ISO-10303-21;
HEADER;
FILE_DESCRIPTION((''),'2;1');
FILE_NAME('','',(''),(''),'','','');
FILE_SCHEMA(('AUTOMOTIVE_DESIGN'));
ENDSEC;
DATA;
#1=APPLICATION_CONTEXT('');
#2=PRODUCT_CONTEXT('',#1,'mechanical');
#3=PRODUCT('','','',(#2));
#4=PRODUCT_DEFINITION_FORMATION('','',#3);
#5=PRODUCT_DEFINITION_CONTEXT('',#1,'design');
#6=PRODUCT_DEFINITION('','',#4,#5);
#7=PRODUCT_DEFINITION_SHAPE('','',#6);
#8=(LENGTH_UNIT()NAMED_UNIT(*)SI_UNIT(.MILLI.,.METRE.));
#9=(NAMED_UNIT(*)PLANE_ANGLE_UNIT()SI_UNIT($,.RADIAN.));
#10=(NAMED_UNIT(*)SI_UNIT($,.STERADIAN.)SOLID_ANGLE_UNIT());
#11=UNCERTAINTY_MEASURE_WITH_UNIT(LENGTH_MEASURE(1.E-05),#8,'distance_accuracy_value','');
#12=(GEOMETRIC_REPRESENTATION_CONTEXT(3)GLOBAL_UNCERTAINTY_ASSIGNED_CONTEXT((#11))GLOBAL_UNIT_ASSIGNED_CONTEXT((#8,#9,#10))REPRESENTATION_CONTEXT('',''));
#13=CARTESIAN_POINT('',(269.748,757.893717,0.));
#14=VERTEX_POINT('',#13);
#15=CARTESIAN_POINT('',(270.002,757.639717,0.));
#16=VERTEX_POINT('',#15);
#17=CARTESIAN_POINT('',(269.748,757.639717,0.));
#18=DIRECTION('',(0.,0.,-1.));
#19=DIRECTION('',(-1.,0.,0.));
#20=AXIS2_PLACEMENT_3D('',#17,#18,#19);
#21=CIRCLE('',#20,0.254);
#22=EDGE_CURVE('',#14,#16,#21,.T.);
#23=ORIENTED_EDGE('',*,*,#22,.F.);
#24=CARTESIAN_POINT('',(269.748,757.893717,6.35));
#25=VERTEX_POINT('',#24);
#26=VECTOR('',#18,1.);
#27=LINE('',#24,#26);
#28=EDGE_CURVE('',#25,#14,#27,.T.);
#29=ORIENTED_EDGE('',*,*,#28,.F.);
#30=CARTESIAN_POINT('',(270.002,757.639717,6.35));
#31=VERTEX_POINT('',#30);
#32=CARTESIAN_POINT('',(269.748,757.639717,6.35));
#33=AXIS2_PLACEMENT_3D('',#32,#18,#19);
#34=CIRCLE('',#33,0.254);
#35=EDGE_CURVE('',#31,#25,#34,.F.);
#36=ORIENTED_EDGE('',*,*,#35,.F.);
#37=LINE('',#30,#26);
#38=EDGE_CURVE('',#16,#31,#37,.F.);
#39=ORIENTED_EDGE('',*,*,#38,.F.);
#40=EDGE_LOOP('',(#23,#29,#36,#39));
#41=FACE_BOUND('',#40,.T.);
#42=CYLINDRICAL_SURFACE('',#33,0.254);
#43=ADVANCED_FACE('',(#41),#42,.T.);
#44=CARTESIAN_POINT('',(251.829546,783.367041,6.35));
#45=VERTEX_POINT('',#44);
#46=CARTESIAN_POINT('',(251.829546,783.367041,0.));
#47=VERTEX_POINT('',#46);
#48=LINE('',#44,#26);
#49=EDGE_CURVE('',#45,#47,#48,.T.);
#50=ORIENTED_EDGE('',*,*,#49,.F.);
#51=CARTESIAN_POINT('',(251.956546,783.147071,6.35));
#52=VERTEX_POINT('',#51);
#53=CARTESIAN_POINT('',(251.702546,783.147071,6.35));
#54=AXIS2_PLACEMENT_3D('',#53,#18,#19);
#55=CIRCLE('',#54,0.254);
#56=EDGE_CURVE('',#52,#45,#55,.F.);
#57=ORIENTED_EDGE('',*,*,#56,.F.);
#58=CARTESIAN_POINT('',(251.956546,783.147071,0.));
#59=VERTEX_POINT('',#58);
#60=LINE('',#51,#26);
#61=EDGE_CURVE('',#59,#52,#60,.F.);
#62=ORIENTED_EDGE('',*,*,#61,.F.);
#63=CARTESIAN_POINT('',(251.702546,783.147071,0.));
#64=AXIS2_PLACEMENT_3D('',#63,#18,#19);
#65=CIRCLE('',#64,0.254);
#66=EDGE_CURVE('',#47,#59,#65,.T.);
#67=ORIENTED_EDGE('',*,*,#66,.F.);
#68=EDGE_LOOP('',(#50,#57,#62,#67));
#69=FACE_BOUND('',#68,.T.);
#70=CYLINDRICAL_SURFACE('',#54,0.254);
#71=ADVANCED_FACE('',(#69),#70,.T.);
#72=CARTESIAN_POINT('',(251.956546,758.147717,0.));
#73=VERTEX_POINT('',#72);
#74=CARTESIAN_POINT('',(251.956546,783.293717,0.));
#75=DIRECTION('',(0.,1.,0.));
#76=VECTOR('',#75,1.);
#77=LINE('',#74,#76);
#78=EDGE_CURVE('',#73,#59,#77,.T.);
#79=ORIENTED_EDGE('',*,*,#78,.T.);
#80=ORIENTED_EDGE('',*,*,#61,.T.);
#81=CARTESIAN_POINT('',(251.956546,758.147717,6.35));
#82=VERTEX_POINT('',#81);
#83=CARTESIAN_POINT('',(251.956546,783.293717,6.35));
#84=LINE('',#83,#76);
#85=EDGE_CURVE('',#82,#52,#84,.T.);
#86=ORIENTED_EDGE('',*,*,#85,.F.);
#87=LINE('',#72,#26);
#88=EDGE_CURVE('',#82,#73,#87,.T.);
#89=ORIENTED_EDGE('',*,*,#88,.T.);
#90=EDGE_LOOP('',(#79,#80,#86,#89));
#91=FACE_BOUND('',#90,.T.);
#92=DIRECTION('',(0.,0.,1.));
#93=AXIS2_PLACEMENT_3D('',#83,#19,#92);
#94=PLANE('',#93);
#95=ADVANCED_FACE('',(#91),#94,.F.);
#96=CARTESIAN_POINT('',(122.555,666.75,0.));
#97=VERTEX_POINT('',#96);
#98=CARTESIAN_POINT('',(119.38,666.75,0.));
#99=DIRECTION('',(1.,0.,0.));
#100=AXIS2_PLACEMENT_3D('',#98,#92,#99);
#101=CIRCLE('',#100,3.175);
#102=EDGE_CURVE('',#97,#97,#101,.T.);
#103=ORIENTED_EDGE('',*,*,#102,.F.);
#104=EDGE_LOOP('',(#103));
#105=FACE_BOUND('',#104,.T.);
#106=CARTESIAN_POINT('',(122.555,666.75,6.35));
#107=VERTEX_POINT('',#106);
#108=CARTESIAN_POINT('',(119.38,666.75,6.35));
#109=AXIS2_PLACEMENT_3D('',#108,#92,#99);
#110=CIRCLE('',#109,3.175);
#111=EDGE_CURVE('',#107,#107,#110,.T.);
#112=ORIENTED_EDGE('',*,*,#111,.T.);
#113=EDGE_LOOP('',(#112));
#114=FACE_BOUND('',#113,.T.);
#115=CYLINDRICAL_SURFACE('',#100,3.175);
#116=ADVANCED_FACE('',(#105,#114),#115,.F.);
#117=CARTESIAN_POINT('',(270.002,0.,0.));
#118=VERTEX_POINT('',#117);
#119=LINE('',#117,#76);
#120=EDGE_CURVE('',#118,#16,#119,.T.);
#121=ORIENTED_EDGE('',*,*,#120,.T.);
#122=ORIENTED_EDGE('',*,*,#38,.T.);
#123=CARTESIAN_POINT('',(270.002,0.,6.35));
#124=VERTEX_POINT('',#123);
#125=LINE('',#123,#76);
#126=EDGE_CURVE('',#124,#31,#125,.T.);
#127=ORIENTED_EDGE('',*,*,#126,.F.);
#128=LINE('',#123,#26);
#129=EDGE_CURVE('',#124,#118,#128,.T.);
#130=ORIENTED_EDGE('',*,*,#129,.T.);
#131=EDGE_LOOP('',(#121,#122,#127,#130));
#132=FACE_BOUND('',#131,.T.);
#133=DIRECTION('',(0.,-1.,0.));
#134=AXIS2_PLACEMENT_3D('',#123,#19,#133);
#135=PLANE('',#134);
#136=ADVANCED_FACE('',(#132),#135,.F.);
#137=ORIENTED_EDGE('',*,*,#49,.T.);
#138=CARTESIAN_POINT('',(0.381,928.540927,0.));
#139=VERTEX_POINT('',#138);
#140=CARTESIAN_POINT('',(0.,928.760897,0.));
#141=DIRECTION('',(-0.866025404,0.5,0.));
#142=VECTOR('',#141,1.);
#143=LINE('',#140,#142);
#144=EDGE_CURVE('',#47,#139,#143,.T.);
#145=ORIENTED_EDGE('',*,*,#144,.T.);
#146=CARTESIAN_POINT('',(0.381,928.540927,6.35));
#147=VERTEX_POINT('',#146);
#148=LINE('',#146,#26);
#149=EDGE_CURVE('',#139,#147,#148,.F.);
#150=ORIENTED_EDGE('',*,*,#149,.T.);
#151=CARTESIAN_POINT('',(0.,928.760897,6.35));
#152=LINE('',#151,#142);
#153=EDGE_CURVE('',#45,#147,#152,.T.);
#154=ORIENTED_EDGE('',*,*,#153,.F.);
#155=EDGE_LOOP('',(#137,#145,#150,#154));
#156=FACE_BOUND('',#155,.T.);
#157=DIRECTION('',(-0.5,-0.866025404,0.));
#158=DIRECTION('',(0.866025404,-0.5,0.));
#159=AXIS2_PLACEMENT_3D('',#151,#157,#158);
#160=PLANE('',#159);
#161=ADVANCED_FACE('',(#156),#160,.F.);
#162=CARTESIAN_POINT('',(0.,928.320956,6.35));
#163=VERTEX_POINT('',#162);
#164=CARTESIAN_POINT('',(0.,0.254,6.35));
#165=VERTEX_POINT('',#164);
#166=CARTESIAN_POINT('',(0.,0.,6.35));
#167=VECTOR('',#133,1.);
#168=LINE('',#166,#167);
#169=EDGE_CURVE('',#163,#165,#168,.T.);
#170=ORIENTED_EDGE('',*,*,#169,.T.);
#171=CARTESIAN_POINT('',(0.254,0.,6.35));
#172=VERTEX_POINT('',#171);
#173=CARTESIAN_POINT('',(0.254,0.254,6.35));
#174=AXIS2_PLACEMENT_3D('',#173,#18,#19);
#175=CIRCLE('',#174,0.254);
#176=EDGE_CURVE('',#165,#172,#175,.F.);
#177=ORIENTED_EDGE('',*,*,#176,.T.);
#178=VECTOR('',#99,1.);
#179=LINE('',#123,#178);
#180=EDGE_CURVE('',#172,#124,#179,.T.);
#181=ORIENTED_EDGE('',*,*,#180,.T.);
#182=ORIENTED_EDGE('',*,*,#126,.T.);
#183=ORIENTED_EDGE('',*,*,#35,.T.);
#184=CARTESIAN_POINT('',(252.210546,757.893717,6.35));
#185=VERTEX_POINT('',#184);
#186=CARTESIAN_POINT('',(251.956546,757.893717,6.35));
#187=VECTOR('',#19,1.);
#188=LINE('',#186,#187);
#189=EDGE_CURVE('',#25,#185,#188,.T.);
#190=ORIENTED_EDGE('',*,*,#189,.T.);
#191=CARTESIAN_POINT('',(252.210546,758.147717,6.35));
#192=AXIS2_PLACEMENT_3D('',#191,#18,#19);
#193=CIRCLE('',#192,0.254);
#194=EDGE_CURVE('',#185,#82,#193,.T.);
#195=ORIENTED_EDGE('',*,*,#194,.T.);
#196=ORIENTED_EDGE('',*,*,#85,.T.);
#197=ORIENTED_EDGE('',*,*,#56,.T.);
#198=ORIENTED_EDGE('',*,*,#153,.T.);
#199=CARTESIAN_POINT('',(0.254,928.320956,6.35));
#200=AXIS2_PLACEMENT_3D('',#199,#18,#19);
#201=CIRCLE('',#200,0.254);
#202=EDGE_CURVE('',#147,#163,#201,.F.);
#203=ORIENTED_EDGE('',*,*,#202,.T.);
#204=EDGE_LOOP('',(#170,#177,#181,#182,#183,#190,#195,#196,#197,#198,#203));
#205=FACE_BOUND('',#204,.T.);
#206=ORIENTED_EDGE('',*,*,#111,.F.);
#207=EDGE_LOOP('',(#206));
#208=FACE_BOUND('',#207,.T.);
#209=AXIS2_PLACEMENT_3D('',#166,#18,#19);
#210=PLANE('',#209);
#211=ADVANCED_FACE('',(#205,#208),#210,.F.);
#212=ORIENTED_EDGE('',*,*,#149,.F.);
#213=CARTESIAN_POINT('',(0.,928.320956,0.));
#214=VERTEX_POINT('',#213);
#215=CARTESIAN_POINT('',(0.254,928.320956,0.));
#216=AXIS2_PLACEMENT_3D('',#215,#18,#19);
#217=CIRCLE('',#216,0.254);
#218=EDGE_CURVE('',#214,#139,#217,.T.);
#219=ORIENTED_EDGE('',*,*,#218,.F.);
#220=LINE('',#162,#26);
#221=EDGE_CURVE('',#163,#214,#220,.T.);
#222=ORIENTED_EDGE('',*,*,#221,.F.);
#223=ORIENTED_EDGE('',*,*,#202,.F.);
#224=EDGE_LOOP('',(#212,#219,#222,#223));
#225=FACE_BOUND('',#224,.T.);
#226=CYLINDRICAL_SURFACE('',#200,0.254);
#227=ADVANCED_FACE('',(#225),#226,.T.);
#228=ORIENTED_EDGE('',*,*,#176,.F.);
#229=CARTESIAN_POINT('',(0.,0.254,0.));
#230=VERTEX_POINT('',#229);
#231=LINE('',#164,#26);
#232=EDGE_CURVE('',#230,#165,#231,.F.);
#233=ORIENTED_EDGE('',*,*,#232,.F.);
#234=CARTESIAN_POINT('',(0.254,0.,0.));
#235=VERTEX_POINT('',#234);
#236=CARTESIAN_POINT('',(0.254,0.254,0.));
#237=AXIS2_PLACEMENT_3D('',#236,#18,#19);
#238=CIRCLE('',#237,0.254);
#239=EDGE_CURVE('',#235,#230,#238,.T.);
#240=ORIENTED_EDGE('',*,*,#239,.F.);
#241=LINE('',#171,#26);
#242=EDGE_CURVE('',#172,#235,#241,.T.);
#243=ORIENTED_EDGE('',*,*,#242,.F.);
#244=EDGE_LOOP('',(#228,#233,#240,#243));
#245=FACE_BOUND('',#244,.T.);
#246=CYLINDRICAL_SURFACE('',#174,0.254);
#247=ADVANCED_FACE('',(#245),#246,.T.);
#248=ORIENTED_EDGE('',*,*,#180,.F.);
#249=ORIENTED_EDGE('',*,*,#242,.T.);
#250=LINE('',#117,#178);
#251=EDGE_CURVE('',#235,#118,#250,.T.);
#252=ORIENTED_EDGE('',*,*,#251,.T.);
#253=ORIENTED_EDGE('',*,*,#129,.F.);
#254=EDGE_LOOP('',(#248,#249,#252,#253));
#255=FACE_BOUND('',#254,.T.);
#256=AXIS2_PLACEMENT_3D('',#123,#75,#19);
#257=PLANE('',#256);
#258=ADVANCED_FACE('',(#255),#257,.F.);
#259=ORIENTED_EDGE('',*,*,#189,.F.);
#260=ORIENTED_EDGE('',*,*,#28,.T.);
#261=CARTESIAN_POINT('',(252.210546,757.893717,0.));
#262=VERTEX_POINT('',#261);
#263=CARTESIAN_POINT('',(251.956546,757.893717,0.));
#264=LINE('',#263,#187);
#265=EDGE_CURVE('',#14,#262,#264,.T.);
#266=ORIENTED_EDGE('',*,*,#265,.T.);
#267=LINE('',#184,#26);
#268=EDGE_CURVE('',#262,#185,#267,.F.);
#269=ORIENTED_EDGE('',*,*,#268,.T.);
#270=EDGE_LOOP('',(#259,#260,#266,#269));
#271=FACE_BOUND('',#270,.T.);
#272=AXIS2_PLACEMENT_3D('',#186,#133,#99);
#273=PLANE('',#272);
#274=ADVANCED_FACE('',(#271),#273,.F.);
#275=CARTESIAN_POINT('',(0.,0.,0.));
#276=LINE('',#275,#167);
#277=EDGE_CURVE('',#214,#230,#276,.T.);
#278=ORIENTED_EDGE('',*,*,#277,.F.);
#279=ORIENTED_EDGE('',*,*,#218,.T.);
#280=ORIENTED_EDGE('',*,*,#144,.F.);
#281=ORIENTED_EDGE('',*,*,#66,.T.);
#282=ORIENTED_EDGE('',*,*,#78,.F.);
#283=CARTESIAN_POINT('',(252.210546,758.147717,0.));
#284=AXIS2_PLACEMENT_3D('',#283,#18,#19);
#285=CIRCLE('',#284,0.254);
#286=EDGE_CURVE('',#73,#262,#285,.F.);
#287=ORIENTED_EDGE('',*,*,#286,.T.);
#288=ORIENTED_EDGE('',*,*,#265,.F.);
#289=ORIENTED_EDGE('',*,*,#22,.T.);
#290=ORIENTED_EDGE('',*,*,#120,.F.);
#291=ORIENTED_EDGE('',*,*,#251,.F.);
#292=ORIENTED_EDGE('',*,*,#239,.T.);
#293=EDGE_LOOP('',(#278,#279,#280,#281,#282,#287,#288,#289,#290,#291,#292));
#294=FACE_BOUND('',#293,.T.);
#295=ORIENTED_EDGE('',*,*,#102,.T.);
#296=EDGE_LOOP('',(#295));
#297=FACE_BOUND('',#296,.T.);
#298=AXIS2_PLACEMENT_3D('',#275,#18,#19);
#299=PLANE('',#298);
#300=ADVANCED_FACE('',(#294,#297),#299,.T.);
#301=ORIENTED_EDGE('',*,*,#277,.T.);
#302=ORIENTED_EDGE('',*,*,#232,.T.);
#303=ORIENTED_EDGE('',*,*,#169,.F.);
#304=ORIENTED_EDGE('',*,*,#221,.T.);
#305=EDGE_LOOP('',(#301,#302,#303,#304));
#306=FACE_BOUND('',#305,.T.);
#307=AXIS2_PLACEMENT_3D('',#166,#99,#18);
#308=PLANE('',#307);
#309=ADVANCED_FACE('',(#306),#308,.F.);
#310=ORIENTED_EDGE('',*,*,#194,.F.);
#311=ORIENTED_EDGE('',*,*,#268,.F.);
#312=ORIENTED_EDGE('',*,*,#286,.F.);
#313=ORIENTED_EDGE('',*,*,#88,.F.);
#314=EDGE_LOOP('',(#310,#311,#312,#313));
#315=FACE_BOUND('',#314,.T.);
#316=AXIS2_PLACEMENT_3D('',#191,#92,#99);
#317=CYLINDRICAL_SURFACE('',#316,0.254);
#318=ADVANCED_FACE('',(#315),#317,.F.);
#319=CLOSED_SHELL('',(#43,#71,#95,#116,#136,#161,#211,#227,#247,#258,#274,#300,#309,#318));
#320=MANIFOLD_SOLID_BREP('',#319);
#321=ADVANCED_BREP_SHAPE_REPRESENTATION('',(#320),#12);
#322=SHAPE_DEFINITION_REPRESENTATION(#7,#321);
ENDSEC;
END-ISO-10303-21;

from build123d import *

# Parameters (mm, degrees)
BOSS_EXTRUDE1_DEPTH = 6.35
FILLET2_R           = 0.254
SKETCH2_R           = 3.175
CUT_EXTRUDE1_DEPTH  = 968.053696438


with BuildPart() as part:
    # Sketch1 → Boss-Extrude1 (new body)
    with BuildSketch(Plane.XY):
        Polygon((270.002, 0), (270.002, 757.893717478), (251.956545956, 757.893717478), (251.956545956, 783.293717478), (0, 928.76089711), (0, 0), align=None)
    extrude(amount=BOSS_EXTRUDE1_DEPTH)

    # Fillet2
    fillet2_edges = [part.edges().sort_by_distance(p)[0] for p in [
        (0, 0, 3.175),
        (0, 928.76089711, 3.175),
        (251.956545956, 783.293717478, 3.175),
        (251.956545956, 757.893717478, 3.175),
        (270.002, 757.893717478, 3.175),
    ]]
    fillet(fillet2_edges, radius=FILLET2_R)

    # Sketch2 → Cut-Extrude1 (cut, through all)
    with BuildSketch(Plane.XY.offset(6.35)):
        with Locations((119.38, 666.75)):
            Circle(SKETCH2_R)
    extrude(amount=-CUT_EXTRUDE1_DEPTH, mode=Mode.SUBTRACT)


solid = part.part
